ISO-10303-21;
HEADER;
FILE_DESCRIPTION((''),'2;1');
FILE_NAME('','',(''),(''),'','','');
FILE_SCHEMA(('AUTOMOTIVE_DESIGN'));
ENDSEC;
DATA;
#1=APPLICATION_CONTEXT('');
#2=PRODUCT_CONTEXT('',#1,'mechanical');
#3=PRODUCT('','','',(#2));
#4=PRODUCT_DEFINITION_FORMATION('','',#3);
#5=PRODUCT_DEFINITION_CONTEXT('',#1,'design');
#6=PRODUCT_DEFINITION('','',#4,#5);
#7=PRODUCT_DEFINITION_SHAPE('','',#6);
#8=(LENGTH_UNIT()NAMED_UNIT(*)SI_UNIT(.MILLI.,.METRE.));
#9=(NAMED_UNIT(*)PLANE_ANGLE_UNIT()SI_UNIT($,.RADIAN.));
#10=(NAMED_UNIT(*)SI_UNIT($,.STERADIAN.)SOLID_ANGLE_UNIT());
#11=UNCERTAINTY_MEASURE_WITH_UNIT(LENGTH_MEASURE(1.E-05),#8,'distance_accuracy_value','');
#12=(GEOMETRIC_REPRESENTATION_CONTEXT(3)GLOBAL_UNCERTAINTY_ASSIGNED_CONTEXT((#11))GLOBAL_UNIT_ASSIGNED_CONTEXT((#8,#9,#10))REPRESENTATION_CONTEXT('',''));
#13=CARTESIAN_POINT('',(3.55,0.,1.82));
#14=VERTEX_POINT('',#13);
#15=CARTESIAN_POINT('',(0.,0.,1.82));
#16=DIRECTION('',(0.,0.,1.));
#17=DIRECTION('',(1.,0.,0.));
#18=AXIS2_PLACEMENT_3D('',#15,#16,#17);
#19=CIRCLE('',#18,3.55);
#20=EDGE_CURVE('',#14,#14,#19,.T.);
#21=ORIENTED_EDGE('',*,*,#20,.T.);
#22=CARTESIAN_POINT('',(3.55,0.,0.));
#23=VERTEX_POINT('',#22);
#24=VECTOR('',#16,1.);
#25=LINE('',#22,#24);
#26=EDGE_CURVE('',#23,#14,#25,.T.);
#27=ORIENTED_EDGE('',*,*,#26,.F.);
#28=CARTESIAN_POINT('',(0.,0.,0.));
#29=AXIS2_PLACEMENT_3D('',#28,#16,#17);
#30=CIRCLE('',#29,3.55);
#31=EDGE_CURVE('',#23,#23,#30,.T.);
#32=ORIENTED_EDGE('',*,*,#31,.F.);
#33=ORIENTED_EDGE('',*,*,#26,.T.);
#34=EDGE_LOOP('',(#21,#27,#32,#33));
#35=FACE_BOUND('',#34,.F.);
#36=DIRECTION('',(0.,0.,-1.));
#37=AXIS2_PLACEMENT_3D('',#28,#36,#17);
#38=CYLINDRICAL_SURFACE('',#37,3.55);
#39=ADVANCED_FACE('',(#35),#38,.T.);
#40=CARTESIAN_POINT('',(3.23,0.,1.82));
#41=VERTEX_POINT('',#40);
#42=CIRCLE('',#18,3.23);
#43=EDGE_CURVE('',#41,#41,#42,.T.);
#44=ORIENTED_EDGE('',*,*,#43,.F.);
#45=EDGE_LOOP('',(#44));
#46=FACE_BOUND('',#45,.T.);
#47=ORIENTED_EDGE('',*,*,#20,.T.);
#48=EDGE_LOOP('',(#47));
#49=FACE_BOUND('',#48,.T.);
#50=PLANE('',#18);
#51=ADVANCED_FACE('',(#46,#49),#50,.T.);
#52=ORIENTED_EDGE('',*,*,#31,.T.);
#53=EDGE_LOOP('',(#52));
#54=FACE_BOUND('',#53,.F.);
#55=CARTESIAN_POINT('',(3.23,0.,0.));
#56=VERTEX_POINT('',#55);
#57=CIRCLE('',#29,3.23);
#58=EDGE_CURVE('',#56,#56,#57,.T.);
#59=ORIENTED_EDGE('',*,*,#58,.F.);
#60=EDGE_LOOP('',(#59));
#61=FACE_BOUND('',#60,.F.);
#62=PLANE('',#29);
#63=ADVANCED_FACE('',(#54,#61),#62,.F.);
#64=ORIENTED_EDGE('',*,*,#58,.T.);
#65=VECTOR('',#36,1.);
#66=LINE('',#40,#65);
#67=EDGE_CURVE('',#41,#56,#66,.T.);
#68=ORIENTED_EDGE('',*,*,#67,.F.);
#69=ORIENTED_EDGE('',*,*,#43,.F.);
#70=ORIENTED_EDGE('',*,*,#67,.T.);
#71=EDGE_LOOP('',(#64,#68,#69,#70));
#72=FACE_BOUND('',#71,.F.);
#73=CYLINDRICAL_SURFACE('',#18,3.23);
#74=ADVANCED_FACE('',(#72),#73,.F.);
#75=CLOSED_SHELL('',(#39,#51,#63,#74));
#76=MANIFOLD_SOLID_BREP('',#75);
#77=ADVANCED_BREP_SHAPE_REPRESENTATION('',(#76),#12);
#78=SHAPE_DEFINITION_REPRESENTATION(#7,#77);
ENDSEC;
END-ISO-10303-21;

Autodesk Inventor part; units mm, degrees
ref_plane "YZ Plane" through (0, 0, 0) normal (1, 0, 0) x (0, 1, 0)
ref_plane "XZ Plane" through (0, 0, 0) normal (0, 1, 0) x (-1, 0, 0)
ref_plane "XY Plane" through (0, 0, 0) normal (0, 0, 1) x (1, 0, 0)
sketch "Sketch1" plane through (0, 0, 0) normal (0, 0, 1) x (1, 0, 0)
  circle A0 centre (0, 0) radius 3.55
  dimension "d0" = 7.1
extrude "Extrusion1" add sketch "Sketch1" along normal blind 1.82
sketch "Sketch2" plane through (0, 0, 1.82) normal (0, 0, 1) x (1, 0, 0)
  circle A0 centre (0, 0) radius 3.23
  dimension "d3" = 6.46
extrude "Extrusion2" cut sketch "Sketch2" against normal through all
properties part number "CAPTURE_5"
